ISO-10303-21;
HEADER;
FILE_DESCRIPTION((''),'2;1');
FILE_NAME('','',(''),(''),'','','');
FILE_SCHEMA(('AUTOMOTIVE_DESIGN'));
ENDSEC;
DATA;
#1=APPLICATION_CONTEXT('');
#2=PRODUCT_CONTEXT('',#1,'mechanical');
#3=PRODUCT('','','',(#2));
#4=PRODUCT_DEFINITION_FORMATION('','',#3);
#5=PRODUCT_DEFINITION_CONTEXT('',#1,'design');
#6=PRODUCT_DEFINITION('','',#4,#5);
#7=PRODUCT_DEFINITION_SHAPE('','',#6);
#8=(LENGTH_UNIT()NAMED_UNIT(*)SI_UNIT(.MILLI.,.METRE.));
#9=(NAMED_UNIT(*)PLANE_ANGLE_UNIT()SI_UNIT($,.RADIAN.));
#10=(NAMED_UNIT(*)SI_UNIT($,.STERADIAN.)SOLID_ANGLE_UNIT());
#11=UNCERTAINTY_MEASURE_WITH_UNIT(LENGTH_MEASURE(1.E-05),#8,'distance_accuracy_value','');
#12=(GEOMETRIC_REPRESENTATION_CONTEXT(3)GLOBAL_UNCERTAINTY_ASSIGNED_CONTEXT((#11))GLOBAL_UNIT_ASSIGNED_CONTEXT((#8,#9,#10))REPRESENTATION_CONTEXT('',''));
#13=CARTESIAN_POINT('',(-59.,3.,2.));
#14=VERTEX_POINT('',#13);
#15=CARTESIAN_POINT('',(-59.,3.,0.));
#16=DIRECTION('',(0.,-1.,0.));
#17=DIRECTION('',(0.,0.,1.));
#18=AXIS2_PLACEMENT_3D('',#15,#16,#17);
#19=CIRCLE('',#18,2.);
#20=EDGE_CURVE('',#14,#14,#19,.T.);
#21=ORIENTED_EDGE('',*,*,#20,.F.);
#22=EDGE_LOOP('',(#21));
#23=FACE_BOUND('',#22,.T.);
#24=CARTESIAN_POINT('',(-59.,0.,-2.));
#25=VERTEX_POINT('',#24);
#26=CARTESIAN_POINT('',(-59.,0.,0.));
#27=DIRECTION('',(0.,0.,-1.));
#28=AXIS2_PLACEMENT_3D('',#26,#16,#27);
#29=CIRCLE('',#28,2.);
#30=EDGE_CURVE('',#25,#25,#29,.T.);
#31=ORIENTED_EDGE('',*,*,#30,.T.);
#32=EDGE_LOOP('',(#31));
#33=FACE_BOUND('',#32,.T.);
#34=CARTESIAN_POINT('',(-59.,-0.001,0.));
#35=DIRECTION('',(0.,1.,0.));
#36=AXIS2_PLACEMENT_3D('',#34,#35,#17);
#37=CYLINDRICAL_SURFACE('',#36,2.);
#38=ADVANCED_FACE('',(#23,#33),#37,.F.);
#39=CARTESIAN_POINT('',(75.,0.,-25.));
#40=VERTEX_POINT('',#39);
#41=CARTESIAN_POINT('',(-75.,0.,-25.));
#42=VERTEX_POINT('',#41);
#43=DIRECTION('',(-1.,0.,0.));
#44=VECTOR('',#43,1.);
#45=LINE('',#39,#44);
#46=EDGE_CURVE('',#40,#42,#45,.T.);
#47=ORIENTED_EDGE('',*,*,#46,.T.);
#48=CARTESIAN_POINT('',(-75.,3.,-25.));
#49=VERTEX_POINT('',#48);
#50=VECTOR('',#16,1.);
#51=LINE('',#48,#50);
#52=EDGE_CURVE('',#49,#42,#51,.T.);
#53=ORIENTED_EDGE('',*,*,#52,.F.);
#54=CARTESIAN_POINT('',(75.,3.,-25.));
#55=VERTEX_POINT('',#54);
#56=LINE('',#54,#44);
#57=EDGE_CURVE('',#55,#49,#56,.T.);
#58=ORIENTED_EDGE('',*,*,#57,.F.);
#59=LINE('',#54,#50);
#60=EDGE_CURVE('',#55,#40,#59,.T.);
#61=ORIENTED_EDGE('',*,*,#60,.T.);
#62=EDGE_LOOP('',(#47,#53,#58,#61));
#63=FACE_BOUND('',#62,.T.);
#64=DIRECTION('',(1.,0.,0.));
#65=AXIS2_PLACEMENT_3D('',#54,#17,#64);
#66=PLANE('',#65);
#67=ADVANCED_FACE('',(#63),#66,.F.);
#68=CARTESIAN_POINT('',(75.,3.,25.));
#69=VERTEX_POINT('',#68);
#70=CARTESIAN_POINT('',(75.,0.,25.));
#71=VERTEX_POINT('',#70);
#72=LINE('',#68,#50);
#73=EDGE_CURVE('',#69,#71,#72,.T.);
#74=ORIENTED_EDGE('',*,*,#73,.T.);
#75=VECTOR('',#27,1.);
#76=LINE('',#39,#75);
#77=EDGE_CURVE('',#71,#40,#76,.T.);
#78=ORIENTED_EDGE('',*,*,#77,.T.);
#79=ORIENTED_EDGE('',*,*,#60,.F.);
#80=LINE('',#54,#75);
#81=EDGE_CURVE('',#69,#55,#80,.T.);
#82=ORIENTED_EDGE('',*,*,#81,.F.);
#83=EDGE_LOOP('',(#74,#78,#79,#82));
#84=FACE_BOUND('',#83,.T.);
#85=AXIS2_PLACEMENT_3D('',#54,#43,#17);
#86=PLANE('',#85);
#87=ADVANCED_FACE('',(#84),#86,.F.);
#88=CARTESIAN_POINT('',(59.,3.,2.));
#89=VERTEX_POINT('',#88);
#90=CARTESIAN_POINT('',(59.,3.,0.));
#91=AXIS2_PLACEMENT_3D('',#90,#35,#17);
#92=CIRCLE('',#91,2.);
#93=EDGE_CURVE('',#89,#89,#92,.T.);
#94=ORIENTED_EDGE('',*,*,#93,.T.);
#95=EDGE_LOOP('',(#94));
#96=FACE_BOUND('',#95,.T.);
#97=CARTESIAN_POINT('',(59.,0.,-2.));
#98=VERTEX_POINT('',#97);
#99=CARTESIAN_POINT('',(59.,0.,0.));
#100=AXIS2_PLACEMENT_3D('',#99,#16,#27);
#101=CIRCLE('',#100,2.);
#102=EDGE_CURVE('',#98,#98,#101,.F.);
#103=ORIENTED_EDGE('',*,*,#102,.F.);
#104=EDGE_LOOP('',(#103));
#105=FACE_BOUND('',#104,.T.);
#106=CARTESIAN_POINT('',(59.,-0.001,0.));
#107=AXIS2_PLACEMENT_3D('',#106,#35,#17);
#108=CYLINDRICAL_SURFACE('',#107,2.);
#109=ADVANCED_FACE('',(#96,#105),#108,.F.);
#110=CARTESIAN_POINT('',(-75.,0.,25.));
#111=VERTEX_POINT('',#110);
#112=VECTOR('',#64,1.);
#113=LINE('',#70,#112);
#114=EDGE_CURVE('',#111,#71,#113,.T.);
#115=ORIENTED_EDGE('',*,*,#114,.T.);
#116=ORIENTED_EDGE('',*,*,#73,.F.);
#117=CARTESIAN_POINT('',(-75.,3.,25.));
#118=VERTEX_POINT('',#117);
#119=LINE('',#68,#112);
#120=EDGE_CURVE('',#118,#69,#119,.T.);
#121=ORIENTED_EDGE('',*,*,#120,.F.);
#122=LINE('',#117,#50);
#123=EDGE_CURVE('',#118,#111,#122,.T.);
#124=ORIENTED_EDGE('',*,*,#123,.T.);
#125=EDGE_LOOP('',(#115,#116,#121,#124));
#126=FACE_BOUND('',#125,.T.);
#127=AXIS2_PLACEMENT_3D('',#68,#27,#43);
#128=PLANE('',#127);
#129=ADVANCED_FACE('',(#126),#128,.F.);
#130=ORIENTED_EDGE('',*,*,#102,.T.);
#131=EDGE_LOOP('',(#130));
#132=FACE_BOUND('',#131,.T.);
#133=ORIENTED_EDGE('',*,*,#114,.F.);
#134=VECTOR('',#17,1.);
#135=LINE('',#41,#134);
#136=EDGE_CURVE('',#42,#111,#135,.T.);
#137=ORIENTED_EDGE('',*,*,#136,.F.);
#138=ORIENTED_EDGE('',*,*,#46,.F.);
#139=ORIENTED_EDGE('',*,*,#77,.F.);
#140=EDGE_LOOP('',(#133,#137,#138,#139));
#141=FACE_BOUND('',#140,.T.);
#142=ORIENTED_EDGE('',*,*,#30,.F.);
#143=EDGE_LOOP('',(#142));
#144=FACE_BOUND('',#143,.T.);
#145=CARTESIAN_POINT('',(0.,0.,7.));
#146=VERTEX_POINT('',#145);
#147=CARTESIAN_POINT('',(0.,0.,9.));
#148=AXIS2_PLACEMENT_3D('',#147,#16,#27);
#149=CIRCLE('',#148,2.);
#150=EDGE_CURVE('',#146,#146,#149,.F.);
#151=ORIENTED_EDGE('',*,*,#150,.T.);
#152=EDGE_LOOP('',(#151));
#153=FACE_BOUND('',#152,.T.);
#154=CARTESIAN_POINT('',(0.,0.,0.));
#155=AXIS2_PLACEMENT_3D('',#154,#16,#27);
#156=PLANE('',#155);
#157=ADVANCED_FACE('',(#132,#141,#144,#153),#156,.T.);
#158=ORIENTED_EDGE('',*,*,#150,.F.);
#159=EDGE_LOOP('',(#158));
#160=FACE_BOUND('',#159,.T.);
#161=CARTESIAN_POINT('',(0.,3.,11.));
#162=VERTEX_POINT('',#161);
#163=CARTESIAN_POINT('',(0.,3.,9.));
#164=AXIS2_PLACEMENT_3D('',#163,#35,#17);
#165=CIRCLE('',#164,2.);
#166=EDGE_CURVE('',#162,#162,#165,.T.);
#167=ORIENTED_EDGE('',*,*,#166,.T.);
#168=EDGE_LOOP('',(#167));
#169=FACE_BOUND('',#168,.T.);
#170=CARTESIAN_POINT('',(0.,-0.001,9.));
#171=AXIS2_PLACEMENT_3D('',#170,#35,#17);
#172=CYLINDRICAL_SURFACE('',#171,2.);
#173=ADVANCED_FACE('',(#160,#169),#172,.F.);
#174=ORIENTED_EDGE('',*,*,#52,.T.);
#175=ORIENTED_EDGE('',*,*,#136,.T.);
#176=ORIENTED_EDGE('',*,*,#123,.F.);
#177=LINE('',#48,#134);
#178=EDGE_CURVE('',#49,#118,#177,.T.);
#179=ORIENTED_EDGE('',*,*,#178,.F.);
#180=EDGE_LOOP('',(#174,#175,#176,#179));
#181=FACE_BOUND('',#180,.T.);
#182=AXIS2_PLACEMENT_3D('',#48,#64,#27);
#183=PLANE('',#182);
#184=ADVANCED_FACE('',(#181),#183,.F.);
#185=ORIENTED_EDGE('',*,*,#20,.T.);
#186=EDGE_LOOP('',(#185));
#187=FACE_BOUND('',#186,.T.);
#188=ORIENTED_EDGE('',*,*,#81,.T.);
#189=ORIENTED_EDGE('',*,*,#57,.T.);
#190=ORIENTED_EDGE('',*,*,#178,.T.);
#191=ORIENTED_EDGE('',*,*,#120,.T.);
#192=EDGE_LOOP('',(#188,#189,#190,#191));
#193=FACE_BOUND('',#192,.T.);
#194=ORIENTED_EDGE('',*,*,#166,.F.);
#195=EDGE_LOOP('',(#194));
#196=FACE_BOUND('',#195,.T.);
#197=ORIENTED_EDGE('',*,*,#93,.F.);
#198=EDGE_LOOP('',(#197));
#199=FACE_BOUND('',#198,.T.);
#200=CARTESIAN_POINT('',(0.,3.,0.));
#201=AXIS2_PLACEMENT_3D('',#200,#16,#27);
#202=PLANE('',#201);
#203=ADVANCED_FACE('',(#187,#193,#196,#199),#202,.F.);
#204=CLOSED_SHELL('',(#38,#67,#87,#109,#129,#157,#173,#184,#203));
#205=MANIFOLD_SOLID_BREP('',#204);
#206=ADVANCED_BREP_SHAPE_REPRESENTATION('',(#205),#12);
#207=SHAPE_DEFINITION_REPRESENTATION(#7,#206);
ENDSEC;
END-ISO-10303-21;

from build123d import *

# Parameters (mm, degrees)
SKETCH1_W           = 150
SKETCH1_H           = 50
BOSS_EXTRUDE1_DEPTH = 3
SKETCH2_R           = 2
CUT_EXTRUDE1_DEPTH  = 3
CUT_EXTRUDE2_REACH  = 5
SKETCH3_R           = 2


with BuildPart() as part:
    # Sketch1 → Boss-Extrude1 (new body)
    with BuildSketch(Plane(origin=(0, 0, 0), x_dir=(1, 0, 0), z_dir=(0, 1, 0))):
        Rectangle(SKETCH1_W, SKETCH1_H)
    extrude(amount=BOSS_EXTRUDE1_DEPTH)

    # Sketch2 → Cut-Extrude1 (cut)
    with BuildSketch(Plane(origin=(0, 3, 0), x_dir=(1, 0, 0), z_dir=(0, 1, 0))):
        with Locations(Location((59, 0, 0), (0, 0, 270))):  # turned: the seam where the file's is
            Circle(SKETCH2_R)
    cut_extrude1 = extrude(amount=-CUT_EXTRUDE1_DEPTH, mode=Mode.SUBTRACT)

    # Mirror1: Cut-Extrude1 across plane
    add(cut_extrude1.mirror(Plane(origin=(0, 0, 0), x_dir=(0, 0, 1), z_dir=(1, 0, 0))), mode=Mode.SUBTRACT)

    # Sketch3 → Cut-Extrude2 (cut, up to next)
    with BuildSketch(Plane(origin=(0, 3, 0), x_dir=(1, 0, 0), z_dir=(0, 1, 0)), mode=Mode.PRIVATE) as cut_extrude2_sk1:
        with Locations(Location((0, -9, 0), (0, 0, 270))):  # turned: the seam where the file's is
            Circle(SKETCH3_R)
    cut_extrude2_tool1 = extrude(cut_extrude2_sk1.sketch, amount=-CUT_EXTRUDE2_REACH, mode=Mode.PRIVATE) & part.part
    add(cut_extrude2_tool1.solids().sort_by_distance((0, 3, 9))[0], mode=Mode.SUBTRACT)


solid = part.part
